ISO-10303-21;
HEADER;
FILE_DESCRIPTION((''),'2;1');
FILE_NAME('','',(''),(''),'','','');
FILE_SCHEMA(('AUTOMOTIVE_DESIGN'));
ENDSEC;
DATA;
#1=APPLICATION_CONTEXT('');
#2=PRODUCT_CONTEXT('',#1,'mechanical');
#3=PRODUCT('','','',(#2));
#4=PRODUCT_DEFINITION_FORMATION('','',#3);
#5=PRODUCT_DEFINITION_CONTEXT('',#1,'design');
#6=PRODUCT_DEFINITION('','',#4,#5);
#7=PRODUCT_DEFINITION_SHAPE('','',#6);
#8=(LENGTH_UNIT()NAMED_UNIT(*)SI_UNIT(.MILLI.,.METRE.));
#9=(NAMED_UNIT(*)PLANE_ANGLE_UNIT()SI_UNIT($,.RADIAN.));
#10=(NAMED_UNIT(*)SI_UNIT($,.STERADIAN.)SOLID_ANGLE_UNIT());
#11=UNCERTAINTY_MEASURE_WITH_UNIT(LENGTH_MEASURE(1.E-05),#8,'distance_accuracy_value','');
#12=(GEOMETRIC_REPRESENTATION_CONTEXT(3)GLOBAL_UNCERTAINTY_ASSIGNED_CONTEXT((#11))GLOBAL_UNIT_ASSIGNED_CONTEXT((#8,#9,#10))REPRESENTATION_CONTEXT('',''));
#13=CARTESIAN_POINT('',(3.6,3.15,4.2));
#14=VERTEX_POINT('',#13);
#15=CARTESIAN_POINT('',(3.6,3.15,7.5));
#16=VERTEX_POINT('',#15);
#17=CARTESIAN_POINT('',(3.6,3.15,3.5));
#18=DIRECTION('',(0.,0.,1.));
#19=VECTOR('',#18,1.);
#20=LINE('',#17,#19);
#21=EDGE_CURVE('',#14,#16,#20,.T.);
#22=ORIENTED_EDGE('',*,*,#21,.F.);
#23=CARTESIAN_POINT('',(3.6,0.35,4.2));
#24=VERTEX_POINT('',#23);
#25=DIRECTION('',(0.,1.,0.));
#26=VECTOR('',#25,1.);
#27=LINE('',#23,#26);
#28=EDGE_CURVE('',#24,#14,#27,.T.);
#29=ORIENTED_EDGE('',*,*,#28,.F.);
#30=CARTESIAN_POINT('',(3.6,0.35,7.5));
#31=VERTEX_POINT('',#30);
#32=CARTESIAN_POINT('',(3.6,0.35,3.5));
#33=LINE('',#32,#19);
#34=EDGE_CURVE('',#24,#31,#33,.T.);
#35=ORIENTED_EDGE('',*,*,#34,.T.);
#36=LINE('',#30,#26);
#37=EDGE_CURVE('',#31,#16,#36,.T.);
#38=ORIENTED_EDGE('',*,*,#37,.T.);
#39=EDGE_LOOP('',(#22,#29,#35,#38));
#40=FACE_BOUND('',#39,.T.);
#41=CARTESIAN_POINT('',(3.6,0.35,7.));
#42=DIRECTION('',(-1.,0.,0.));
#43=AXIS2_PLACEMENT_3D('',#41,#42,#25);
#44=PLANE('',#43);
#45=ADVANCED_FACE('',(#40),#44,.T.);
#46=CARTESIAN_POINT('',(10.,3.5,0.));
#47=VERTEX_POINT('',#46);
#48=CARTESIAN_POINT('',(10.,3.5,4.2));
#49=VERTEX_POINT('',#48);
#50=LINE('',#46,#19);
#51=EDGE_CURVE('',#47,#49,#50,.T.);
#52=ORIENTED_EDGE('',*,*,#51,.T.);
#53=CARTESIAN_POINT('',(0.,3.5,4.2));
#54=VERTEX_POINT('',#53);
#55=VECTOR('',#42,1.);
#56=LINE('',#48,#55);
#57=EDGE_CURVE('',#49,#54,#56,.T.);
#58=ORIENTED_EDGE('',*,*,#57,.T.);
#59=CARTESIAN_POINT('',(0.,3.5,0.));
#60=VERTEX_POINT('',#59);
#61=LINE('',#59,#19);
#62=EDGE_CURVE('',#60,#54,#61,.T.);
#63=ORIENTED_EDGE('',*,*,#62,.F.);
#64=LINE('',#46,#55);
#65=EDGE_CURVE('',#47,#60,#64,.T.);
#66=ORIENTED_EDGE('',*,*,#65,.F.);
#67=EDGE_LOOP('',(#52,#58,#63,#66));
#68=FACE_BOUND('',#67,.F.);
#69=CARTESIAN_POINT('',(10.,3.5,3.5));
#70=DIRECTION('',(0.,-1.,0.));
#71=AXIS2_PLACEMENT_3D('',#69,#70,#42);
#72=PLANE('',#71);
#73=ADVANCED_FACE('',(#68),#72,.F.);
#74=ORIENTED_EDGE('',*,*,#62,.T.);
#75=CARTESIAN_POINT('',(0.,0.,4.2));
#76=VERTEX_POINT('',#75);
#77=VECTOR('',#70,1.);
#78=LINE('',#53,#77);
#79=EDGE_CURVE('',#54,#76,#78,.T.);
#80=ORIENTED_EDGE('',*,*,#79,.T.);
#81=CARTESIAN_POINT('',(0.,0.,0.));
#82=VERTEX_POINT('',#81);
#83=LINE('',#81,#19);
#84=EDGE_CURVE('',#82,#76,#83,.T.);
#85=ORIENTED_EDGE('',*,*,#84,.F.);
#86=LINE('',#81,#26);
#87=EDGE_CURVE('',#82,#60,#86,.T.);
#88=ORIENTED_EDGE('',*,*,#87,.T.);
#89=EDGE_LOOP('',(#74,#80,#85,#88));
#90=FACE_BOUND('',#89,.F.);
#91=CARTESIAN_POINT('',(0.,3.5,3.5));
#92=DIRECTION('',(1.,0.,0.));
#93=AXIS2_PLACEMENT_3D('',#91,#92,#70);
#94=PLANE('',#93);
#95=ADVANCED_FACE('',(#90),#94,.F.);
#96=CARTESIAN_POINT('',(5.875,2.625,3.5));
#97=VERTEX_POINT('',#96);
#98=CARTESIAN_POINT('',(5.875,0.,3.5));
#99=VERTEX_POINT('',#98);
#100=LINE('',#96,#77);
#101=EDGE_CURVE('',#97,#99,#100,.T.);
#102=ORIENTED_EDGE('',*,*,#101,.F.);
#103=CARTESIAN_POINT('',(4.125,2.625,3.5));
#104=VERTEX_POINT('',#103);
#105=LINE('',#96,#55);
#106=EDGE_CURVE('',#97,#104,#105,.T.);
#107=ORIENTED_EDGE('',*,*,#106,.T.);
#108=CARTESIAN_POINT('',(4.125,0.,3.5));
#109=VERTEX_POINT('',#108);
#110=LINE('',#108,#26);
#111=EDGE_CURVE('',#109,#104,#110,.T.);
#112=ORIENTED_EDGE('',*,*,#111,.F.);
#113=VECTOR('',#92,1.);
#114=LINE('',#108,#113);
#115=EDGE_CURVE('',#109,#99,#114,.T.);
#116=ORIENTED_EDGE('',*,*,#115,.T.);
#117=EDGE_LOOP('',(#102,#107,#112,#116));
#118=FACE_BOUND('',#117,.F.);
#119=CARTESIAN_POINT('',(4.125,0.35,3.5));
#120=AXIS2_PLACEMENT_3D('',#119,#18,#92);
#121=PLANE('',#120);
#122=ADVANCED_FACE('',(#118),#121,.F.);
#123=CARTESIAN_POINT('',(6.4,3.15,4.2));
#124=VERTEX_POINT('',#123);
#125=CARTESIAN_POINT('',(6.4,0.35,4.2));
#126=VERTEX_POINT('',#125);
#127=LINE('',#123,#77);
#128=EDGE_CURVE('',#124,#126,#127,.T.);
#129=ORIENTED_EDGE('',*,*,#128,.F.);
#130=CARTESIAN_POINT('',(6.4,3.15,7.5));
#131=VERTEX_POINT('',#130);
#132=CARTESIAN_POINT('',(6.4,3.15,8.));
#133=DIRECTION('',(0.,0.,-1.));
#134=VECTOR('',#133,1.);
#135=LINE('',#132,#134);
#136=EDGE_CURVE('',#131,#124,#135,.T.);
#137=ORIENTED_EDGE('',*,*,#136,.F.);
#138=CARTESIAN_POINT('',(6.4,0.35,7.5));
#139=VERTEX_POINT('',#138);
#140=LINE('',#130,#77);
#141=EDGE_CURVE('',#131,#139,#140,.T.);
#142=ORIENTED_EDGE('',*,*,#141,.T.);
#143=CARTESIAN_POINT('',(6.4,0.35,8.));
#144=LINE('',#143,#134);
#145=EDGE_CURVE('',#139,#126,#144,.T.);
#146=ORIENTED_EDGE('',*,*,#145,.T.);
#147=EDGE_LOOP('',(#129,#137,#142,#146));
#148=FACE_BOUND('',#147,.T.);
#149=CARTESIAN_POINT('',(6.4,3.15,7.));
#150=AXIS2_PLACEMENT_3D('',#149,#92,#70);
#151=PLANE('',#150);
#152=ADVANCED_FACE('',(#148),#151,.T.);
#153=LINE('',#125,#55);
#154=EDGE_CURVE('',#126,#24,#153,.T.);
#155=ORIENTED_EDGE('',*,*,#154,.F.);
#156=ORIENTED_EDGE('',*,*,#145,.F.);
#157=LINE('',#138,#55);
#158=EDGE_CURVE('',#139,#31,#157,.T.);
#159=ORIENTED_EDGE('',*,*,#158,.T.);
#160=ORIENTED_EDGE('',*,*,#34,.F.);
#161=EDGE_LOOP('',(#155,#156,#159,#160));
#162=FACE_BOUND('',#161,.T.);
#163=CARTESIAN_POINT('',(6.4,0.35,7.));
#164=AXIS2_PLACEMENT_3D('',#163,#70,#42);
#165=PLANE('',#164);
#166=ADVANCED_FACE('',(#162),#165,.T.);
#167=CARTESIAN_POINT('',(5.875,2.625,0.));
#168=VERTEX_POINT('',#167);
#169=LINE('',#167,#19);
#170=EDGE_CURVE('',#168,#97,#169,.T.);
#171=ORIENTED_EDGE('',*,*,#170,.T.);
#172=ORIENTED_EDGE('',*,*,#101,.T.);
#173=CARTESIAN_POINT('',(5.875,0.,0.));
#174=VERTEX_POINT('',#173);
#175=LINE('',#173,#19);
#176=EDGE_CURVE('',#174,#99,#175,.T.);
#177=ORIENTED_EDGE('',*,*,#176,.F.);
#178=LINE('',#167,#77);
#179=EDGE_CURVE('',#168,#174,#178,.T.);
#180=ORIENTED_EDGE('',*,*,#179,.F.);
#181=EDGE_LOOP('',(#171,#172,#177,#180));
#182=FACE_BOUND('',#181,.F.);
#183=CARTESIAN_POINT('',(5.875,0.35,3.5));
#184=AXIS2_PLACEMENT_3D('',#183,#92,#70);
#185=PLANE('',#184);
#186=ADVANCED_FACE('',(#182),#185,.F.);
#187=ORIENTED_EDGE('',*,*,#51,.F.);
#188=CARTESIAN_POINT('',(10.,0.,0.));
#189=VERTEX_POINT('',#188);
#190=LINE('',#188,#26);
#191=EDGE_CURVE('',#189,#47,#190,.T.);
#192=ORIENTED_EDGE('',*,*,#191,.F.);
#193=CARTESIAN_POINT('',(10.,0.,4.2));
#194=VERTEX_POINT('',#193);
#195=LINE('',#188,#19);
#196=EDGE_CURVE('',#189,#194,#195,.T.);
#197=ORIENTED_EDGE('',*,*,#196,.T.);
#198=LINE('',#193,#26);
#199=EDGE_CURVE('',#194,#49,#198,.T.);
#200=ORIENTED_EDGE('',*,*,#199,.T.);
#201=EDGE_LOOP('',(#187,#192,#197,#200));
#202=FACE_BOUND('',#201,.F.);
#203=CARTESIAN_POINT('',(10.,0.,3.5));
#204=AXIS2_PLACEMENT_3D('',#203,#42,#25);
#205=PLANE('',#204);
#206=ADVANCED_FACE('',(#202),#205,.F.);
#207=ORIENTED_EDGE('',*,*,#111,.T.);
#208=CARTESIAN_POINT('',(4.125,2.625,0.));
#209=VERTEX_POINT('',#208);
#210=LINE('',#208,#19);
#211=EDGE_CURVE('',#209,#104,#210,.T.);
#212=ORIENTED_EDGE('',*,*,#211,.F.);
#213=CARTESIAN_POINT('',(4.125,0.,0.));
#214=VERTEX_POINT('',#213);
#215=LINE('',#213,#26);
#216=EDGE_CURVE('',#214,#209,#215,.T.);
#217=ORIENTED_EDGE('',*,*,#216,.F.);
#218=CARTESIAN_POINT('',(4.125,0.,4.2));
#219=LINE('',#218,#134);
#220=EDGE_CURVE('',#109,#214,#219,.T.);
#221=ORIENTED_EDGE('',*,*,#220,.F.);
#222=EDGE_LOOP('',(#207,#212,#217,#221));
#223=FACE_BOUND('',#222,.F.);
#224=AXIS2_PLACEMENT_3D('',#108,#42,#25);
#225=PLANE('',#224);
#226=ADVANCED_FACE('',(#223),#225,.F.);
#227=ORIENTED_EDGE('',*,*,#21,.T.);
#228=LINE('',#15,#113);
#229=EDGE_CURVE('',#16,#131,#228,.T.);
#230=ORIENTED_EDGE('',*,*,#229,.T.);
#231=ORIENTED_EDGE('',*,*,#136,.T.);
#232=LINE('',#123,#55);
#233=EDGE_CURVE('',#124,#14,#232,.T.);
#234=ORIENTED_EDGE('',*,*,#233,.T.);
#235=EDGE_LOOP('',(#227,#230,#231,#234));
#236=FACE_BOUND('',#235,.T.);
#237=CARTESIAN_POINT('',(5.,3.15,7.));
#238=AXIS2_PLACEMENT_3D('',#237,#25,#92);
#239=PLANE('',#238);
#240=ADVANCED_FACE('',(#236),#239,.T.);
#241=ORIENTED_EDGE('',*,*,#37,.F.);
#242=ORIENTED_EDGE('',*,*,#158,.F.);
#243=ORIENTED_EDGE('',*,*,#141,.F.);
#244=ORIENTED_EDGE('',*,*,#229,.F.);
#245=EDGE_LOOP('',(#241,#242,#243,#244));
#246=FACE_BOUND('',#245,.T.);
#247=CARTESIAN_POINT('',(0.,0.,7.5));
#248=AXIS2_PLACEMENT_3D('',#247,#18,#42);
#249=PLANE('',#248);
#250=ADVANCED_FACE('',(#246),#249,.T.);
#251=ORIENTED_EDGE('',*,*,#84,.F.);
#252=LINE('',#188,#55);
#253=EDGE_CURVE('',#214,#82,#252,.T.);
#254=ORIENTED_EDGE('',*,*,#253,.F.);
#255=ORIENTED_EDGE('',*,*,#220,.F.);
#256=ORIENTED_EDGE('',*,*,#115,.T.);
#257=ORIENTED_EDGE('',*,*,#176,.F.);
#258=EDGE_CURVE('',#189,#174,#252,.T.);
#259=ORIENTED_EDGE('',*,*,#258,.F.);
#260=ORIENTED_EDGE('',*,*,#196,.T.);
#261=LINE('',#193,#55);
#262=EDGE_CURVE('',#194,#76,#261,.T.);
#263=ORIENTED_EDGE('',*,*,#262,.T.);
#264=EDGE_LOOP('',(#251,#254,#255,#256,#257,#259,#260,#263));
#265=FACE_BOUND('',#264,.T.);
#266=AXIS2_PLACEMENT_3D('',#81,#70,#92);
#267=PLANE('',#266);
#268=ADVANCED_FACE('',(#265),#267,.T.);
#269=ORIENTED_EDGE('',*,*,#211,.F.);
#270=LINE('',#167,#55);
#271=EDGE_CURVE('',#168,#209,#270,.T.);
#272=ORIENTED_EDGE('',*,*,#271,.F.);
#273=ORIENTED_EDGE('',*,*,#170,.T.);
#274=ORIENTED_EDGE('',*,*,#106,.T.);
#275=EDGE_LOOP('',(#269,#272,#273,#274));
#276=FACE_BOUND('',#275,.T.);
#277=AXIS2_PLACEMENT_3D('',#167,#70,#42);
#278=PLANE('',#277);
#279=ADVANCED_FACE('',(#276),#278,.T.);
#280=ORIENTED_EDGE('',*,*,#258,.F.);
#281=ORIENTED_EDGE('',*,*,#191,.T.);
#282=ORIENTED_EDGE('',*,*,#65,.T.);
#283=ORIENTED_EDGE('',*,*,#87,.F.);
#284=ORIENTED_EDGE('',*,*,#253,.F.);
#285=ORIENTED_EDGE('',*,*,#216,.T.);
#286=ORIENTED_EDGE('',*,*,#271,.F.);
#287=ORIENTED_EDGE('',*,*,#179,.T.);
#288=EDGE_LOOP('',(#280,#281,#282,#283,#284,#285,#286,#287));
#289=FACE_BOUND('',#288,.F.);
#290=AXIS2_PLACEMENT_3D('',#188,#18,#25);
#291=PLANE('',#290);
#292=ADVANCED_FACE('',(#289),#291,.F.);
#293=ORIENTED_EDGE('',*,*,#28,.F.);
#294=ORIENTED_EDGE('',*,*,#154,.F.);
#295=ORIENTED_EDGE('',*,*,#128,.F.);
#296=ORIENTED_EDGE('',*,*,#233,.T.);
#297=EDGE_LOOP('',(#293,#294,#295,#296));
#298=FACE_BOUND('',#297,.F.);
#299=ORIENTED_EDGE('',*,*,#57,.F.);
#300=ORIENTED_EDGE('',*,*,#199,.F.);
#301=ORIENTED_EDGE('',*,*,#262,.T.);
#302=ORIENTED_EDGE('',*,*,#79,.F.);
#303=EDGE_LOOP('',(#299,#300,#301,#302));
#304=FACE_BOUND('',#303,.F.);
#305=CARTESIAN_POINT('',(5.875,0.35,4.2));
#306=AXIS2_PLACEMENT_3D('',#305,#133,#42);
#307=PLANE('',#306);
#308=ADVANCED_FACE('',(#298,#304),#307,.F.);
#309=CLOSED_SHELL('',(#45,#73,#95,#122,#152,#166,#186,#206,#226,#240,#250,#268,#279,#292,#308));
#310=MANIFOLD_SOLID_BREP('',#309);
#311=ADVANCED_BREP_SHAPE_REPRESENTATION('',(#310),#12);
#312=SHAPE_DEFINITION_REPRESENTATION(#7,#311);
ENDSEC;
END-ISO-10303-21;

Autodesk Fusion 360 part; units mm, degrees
box "BoxPrimitive1" add length 3.5 width 10 height 7 placed x (0, 1, 0) y (-1, 0, 0) z (0, 0, 1) at (10, 0, 0)
sketch "Sketch2" plane through (0, 0, 7) normal (0, 0, 1) x (-1, 0, 0)
  line L0 (-10, -3.5) -> (0, -3.5)
  line L1 (0, -3.5) -> (0, 0)
  line L2 (0, 0) -> (-10, 0)
  line L3 (-10, 0) -> (-10, -3.5)
  line L4 (-5, -3.5) -> (-5, -1.75)
  line L5 (-6.4, -0.35) -> (-3.6, -0.35)
  line L6 (-3.6, -0.35) -> (-3.6, -3.15)
  line L7 (-3.6, -3.15) -> (-6.4, -3.15)
  line L8 (-6.4, -3.15) -> (-6.4, -0.35)
  line L9 (-6.4, -0.35) -> (-3.6, -3.15) construction
  line L10 (-3.6, -0.35) -> (-6.4, -3.15) construction
  point P0 (-5, -1.75)
  dimension "d6" = 1.75
  dimension "d7" = 2.8
  dimension "d8" = 2.8
extrude "Extrude1" cut sketch "Sketch2" against normal blind 3.5
sketch "Sketch3" plane through (0, 0, 0) normal (0, 0, -1) x (1, 0, 0)
  line L0 (0, -3.5) -> (10, -3.5)
  line L1 (10, -3.5) -> (10, 0)
  line L2 (10, 0) -> (0, 0)
  line L3 (0, 0) -> (0, -3.5)
  line L4 (5.875, -2.625) -> (4.125, -2.625)
  line L5 (4.125, -2.625) -> (4.125, -0.875)
  line L6 (4.125, -0.875) -> (5.875, -0.875)
  line L7 (5.875, -0.875) -> (5.875, -2.625)
  line L8 (5.875, -2.625) -> (4.125, -0.875) construction
  line L9 (4.125, -2.625) -> (5.875, -0.875) construction
  line L10 (4.125, -0.875) -> (5.875, -0.875)
  line L11 (5.875, -0.875) -> (5.875, 0)
  line L12 (5.875, 0) -> (4.125, 0)
  line L13 (4.125, 0) -> (4.125, -0.875)
  point P0 (5, -1.75)
  point P1 (5, -1.75)
  dimension "d11" = 1.75
  dimension "d12" = 1.75
  dimension "d17" = 1.75
extrude "Extrude2" cut sketch "Sketch3" against normal blind 3.5 contours L4 L5 L6 L7 L10
extrude "Extrude3" add sketch "Sketch2" along normal blind 1 contours L5 L6 L7 L8
extrude "Extrude4" cut sketch "Sketch3" against normal blind 3.5 contours L2 L6 L10 L11 L12 L13
extrude "Extrude5" add 1 faces at (8.8, 1.2833, 3.5) along direction (0, 0, 1) blind 0.7
sketch "Sketch4" plane through (0, 0.35, 0) normal (0, -1, 0) x (1, 0, 0)
  line L0 (5.875, 4.2) -> (6.4, 4.2)
  line L1 (6.4, 4.2) -> (6.4, 8)
  line L2 (6.4, 8) -> (3.6, 8)
  line L3 (3.6, 8) -> (3.6, 4.2)
  line L4 (3.6, 4.2) -> (4.125, 4.2)
  line L5 (4.125, 4.2) -> (4.125, 3.5)
  line L6 (4.125, 3.5) -> (5.875, 3.5)
  line L7 (5.875, 3.5) -> (5.875, 4.2)
  line L8 (4.125, 3.5) -> (5.875, 3.5)
  line L9 (5.875, 3.5) -> (5.875, 4.2)
  line L10 (5.875, 4.2) -> (4.125, 4.2)
  line L11 (4.125, 4.2) -> (4.125, 3.5)
extrude "Extrude6" add sketch "Sketch4" along normal blind 0.35 contours L5 L6 L7 L8 L9 L10 L11
extrude "Extrude7" cut 1 faces at (5.4667, 1.2833, 8) along direction (0, 0, -1) blind 0.5
